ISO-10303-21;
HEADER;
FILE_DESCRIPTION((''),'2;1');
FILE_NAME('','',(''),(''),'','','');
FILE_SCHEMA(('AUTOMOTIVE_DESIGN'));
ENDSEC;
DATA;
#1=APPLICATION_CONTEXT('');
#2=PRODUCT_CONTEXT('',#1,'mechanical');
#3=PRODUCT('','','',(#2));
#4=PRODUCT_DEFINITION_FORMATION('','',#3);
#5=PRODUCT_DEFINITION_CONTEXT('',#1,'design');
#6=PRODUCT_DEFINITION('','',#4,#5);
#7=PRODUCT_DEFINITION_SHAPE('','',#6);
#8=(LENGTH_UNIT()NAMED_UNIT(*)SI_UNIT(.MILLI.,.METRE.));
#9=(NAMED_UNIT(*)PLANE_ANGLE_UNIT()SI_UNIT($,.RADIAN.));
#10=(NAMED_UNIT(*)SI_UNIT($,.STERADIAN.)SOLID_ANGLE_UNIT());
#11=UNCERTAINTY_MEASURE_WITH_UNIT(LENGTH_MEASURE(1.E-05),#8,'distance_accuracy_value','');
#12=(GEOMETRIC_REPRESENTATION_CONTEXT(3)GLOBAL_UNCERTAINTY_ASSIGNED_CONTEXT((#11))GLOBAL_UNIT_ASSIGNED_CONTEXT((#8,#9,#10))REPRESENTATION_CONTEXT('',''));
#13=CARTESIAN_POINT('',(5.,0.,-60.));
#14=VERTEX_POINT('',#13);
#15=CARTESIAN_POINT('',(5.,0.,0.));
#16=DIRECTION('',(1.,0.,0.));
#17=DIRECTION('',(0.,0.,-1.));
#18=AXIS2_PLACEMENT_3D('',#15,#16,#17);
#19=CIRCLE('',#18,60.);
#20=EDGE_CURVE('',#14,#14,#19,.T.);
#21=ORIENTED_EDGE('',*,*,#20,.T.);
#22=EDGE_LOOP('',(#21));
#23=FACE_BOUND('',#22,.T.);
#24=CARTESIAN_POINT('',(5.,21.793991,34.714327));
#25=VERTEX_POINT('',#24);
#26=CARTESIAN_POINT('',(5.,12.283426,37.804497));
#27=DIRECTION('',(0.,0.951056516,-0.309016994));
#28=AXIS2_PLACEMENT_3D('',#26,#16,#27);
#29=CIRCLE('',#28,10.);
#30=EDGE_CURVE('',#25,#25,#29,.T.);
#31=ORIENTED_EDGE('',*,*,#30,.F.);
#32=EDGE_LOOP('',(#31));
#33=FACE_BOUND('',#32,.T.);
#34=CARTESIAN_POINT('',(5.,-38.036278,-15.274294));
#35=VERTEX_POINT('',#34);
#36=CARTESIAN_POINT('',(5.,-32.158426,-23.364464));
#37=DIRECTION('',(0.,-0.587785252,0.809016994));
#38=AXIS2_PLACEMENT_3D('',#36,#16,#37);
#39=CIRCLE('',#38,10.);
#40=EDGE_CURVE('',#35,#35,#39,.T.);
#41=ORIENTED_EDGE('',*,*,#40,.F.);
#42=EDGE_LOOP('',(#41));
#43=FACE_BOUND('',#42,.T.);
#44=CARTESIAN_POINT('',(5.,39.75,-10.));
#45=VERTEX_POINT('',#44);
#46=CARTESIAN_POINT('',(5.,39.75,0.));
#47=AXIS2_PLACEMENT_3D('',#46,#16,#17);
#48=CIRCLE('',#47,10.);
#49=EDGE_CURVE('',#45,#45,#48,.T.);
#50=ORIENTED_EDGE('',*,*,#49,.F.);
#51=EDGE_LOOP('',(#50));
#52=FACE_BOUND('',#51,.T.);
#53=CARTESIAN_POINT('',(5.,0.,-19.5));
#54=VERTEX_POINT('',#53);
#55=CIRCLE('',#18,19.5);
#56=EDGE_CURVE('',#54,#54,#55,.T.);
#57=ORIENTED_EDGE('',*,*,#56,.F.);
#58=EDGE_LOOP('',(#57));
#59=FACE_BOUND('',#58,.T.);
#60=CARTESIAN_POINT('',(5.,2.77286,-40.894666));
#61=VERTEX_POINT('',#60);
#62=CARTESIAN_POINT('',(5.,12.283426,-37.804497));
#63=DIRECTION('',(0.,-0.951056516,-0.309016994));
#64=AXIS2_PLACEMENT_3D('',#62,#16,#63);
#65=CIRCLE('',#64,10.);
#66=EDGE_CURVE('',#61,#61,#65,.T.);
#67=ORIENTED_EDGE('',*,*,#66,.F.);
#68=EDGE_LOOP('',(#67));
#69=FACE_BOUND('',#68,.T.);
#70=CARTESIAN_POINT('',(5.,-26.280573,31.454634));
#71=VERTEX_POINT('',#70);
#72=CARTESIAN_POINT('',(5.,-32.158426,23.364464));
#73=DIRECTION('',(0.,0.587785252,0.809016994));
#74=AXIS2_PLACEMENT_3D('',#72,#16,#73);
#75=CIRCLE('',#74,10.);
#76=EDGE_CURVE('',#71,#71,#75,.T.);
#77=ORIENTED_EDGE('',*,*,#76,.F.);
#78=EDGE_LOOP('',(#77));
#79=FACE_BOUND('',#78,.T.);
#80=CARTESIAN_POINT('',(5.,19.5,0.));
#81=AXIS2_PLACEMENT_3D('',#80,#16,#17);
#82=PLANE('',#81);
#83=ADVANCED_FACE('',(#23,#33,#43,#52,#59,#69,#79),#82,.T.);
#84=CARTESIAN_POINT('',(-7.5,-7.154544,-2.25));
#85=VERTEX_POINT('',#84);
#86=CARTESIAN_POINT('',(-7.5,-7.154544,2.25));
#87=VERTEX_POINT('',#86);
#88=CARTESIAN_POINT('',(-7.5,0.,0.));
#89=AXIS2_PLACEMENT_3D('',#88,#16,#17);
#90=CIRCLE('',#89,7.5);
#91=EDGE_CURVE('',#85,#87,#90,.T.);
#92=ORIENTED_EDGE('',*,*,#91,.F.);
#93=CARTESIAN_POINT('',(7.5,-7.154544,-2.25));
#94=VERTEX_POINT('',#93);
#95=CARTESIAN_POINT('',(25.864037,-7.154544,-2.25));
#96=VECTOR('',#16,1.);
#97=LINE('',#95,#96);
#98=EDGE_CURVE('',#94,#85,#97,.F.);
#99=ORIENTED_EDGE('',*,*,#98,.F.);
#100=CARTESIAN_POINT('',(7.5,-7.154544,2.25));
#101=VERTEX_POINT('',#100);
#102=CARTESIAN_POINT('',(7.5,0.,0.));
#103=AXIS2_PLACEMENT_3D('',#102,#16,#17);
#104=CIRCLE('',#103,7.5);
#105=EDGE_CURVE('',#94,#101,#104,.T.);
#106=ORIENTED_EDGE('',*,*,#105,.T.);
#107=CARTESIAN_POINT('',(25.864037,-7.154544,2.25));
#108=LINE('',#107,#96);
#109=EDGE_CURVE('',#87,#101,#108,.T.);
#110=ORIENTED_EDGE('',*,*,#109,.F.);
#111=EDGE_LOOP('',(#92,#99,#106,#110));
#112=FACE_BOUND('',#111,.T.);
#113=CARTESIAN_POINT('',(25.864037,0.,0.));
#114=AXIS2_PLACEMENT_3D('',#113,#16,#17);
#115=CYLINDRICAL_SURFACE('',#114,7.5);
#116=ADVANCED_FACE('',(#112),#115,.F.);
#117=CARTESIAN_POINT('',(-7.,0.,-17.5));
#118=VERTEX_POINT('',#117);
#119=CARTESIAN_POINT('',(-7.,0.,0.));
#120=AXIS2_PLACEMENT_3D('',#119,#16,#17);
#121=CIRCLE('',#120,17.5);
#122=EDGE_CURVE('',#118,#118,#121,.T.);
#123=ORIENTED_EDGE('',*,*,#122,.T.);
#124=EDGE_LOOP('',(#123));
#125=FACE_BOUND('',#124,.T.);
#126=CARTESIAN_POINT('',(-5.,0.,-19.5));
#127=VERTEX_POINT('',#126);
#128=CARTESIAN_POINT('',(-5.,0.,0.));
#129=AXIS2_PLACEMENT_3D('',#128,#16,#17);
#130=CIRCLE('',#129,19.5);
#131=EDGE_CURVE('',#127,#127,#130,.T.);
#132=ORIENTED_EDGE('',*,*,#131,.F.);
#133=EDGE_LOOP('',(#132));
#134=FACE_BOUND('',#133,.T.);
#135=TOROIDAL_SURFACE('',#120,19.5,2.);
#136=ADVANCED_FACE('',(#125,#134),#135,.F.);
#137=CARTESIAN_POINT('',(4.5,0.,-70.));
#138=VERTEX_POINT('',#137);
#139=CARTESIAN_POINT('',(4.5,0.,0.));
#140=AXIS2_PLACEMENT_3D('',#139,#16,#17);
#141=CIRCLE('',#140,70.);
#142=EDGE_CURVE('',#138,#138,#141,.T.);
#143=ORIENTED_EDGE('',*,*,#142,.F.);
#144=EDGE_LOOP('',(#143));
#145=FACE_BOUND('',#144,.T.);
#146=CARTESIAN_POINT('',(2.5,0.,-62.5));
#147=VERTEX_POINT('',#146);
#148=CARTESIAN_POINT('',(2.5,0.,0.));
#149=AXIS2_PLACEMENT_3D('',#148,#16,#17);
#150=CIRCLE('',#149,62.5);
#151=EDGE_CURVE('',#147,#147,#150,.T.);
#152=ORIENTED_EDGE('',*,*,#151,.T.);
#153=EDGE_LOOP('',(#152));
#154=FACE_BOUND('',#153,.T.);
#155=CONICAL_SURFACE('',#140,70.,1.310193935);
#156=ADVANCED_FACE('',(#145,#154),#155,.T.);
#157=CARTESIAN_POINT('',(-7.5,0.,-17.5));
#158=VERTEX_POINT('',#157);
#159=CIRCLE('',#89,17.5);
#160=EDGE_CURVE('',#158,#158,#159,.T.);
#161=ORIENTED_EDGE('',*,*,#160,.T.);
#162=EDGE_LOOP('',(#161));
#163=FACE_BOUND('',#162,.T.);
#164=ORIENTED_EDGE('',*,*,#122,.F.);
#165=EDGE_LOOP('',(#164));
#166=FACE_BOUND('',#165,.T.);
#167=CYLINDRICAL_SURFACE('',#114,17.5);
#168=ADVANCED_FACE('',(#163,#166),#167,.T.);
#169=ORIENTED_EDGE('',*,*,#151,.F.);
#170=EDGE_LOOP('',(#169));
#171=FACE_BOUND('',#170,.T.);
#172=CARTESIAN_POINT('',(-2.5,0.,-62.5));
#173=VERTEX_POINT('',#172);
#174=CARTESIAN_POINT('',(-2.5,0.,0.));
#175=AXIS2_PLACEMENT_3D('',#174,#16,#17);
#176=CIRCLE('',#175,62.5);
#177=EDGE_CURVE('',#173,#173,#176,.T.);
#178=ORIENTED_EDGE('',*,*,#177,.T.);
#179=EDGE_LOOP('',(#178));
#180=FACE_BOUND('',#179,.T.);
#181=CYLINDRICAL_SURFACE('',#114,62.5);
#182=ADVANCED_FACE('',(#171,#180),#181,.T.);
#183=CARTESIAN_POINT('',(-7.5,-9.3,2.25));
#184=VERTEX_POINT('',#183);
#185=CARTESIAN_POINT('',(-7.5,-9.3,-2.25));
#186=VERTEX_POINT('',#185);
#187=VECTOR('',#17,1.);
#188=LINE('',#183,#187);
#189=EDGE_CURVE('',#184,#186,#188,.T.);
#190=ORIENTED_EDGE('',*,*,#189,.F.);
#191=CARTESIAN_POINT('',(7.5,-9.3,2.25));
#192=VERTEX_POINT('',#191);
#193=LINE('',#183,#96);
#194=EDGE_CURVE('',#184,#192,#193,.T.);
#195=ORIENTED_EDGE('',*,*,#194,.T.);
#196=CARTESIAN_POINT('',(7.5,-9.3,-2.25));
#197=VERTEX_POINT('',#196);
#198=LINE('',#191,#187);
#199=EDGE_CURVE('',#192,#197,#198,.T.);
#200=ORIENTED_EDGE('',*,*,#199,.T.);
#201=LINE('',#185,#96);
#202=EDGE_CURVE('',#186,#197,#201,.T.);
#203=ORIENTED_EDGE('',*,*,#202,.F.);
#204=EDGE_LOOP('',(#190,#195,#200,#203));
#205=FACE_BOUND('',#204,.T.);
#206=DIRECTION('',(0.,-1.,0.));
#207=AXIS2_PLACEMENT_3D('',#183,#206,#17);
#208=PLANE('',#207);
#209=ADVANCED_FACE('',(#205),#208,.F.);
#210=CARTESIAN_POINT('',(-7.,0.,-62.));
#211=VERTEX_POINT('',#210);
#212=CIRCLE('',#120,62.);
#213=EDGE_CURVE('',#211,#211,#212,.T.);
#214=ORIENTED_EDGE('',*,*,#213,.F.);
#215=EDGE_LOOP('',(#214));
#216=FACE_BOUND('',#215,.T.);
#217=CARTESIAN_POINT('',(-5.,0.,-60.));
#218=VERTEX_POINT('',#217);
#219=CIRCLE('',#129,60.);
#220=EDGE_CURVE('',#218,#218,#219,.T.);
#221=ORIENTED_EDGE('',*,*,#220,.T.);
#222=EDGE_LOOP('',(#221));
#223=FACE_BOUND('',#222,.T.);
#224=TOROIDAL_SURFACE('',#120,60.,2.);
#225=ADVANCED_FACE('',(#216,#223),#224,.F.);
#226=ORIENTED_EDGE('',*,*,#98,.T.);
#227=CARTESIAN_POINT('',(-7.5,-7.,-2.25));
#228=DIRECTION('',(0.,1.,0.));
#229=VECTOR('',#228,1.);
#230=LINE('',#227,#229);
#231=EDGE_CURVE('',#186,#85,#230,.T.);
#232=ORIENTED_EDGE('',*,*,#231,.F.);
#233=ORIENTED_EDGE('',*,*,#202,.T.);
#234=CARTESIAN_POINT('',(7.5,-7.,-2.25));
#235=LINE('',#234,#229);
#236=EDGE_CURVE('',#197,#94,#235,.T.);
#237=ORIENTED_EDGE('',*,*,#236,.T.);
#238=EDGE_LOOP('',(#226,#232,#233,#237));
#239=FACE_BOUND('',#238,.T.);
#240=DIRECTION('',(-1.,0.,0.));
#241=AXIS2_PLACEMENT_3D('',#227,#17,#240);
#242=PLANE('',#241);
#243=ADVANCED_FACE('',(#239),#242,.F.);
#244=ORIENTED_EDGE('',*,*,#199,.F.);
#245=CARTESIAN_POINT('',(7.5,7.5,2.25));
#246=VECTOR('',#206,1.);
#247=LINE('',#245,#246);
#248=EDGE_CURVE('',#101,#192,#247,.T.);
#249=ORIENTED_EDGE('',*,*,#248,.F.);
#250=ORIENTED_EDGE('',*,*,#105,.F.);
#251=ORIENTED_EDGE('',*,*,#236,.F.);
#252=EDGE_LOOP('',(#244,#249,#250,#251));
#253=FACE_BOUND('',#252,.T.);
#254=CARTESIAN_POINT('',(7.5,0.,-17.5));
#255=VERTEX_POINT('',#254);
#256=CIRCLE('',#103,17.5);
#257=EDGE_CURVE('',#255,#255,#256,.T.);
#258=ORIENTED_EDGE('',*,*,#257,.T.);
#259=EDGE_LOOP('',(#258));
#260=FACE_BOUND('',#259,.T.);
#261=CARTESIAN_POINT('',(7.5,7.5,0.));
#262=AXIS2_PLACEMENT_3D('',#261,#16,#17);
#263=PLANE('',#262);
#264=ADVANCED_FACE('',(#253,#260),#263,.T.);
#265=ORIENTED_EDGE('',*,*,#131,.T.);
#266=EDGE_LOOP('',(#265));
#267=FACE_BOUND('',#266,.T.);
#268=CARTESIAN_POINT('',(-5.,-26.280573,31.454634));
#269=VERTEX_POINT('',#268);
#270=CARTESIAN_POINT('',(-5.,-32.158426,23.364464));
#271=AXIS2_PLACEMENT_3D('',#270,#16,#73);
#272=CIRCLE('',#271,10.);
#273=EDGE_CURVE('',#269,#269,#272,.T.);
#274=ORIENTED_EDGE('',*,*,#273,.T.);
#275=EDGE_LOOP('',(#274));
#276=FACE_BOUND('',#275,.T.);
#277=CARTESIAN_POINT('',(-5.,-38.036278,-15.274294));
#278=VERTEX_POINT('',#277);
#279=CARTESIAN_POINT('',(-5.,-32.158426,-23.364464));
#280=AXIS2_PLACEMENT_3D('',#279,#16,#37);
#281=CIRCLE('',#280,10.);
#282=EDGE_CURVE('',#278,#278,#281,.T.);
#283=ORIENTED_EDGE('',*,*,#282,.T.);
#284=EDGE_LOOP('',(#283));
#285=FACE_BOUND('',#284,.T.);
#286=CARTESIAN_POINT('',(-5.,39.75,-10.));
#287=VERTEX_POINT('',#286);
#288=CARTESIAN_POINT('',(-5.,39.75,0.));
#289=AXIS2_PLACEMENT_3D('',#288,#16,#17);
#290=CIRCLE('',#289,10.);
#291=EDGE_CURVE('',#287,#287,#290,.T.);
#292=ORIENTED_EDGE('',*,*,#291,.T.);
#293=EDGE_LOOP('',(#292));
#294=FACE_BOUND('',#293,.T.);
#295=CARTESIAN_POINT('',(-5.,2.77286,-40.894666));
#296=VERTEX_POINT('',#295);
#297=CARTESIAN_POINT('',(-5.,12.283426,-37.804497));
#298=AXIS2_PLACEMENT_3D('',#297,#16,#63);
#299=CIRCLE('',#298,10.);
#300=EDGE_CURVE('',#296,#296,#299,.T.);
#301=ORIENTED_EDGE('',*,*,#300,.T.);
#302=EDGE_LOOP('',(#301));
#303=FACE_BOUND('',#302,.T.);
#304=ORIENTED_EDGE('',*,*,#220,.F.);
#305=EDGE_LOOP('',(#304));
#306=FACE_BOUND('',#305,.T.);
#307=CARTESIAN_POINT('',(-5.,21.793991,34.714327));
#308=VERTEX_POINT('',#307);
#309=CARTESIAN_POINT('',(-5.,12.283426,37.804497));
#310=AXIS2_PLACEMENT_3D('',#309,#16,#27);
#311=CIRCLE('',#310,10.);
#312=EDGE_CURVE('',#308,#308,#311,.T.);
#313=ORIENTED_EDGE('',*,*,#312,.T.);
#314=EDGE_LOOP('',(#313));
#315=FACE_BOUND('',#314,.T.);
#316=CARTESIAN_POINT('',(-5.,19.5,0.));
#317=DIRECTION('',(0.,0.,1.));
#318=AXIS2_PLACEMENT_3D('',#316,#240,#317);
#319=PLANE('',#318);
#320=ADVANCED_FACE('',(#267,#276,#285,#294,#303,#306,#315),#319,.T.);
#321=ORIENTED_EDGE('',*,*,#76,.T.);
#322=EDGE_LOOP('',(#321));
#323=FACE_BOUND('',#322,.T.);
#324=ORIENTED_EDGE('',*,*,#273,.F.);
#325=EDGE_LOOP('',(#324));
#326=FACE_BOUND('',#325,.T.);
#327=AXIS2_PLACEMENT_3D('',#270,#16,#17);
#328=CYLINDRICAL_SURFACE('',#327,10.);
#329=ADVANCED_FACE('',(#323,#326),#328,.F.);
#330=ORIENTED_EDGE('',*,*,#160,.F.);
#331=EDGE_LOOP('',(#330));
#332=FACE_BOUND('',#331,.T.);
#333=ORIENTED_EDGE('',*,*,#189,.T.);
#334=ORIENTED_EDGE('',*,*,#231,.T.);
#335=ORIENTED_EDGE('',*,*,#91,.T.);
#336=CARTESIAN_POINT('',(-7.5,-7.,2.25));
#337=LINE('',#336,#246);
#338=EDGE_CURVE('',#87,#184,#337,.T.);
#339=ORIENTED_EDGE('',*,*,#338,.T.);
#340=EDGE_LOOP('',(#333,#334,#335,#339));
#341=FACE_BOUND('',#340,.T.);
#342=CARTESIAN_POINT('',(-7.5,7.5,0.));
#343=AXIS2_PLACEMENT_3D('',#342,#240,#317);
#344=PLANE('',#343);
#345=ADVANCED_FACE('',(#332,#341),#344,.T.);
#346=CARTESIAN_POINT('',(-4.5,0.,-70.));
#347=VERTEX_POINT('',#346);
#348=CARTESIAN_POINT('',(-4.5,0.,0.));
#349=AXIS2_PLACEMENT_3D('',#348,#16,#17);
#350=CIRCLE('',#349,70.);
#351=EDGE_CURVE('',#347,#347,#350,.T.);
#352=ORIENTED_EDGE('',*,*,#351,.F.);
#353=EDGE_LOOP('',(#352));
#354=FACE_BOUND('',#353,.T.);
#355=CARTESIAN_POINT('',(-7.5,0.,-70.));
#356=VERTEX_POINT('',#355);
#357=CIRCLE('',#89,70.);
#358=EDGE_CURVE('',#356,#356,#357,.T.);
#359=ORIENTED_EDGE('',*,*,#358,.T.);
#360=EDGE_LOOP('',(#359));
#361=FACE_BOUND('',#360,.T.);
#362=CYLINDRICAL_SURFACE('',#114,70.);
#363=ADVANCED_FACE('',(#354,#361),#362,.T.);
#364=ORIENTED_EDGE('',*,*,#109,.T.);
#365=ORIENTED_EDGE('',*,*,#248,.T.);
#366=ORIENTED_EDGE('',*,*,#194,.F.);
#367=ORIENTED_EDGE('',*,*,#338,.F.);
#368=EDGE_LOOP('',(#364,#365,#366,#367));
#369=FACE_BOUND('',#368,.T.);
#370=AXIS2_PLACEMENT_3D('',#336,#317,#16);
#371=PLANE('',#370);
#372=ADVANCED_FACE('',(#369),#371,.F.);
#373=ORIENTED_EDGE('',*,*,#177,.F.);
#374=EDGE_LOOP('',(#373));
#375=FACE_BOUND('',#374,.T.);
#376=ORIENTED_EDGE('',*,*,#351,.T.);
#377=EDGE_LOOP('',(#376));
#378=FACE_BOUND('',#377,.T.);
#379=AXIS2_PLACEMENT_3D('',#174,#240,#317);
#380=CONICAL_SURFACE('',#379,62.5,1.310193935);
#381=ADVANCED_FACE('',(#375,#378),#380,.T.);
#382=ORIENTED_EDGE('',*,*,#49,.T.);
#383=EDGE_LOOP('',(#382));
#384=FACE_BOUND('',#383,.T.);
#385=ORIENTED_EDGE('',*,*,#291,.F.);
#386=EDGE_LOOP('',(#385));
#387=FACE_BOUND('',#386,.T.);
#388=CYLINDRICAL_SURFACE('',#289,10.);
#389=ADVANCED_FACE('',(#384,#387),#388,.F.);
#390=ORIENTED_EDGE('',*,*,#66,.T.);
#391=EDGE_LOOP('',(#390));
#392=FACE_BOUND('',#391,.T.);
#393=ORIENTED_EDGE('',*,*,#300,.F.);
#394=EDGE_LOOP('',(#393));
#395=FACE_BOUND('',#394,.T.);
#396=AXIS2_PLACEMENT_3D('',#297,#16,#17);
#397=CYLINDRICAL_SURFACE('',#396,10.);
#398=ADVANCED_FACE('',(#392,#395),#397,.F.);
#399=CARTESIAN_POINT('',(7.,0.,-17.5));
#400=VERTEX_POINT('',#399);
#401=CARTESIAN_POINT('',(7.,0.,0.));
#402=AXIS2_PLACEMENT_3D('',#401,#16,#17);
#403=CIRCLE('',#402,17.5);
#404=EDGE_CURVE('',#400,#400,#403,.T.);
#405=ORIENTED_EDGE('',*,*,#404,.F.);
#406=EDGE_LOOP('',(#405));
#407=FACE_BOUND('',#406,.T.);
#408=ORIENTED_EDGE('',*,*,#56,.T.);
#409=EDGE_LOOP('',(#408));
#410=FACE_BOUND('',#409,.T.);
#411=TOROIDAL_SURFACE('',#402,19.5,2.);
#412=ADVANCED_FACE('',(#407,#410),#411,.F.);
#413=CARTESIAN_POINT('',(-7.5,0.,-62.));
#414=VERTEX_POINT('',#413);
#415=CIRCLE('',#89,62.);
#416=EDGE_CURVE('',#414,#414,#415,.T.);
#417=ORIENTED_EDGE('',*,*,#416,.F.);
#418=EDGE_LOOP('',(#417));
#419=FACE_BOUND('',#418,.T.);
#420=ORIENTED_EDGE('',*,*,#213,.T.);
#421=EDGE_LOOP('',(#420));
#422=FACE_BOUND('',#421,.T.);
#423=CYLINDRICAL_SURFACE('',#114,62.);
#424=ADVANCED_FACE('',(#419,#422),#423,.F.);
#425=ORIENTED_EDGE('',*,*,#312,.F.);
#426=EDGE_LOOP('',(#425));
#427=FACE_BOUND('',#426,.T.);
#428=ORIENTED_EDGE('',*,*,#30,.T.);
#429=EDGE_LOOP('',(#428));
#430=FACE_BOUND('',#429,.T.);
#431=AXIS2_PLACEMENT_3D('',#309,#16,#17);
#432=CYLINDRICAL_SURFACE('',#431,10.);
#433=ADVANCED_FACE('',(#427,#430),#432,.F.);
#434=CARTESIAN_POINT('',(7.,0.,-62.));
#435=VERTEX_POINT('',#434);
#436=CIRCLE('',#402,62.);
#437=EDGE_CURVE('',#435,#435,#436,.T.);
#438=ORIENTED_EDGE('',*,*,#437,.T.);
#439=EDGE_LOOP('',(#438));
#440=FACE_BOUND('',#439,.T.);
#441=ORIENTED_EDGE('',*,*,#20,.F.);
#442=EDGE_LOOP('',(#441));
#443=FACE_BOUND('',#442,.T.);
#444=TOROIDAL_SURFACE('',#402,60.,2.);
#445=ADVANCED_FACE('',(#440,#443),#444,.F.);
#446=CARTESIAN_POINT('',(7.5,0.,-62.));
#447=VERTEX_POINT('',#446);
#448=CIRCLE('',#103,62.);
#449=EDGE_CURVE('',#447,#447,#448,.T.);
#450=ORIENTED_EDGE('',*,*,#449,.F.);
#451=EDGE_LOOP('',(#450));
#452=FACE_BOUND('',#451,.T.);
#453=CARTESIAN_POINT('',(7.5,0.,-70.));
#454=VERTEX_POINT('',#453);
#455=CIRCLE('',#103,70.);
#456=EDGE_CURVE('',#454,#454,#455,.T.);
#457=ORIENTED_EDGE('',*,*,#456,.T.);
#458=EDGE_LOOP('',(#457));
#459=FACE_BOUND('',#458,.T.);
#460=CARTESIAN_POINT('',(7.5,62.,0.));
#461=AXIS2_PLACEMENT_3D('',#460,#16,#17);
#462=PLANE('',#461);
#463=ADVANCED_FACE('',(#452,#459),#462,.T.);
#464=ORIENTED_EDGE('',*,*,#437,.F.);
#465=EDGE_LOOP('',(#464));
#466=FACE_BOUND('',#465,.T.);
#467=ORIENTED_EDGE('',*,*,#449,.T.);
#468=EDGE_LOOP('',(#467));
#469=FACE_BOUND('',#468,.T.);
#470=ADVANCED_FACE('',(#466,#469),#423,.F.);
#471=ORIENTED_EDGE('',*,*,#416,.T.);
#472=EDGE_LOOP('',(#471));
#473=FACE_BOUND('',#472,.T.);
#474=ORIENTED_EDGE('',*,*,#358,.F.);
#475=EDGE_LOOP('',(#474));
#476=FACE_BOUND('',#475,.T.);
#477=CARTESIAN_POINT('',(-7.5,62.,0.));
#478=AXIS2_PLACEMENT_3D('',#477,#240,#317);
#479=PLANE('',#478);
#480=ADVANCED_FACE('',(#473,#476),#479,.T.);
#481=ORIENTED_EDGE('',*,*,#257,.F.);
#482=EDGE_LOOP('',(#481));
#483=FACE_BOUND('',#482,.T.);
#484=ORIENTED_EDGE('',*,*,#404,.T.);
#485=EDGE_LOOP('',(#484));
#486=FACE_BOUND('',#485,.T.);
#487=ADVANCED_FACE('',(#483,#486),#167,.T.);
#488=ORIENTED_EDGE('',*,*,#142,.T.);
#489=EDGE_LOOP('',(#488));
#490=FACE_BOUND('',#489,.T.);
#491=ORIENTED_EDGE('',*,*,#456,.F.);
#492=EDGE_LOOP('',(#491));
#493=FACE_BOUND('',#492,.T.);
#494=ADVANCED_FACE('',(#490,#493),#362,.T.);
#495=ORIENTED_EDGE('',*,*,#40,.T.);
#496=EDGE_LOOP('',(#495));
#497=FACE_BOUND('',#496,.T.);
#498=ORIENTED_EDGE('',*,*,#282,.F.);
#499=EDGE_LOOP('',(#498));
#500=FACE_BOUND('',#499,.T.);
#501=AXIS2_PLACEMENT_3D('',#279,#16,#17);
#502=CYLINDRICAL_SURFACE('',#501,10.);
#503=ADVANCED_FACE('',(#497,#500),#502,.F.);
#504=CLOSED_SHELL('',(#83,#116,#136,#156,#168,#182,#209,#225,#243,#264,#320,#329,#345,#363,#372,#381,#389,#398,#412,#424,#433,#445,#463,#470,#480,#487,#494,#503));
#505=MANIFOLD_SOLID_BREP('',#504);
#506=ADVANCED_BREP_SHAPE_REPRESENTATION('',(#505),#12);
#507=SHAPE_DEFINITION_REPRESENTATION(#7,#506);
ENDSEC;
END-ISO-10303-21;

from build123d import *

# Parameters (mm, degrees)
SKETCH2_R         = 10
EXTRUDE1_DEPTH    = 10
CIRPATTERN1_COUNT = 5
SKETCH3_W         = 4.5
SKETCH3_H         = 2.3
EXTRUDE2_DEPTH    = 16


with BuildPart() as part:
    # Sketch1 → Revolve1 (revolve)
    with BuildSketch(Plane.XY):
        with BuildLine():
            Line((-7.5, 7.5), (7.5, 7.5))
            Line((7.5, 7.5), (7.5, 17.5))
            Line((7.5, 17.5), (7, 17.5))
            ThreePointArc((7, 17.5), (5.585786438, 18.085786438), (5, 19.5))
            Line((5, 19.5), (5, 60))
            ThreePointArc((5, 60), (5.585786438, 61.414213562), (7, 62))
            Line((7, 62), (7.5, 62))
            Line((7.5, 62), (7.5, 70))
            Line((7.5, 70), (4.5, 70))
            Line((4.5, 70), (2.5, 62.5))
            Line((2.5, 62.5), (-2.5, 62.5))
            Line((-2.5, 62.5), (-4.5, 70))
            Line((-4.5, 70), (-7.5, 70))
            Line((-7.5, 70), (-7.5, 62))
            Line((-7.5, 62), (-7, 62))
            ThreePointArc((-7, 62), (-5.585786438, 61.414213562), (-5, 60))
            Line((-5, 60), (-5, 19.5))
            ThreePointArc((-5, 19.5), (-5.585786438, 18.085786438), (-7, 17.5))
            Line((-7, 17.5), (-7.5, 17.5))
            Line((-7.5, 17.5), (-7.5, 7.5))
        make_face()
    revolve(axis=Axis((25.864037296, 0, 0), (-1, 0, 0)))

    # Sketch2 → Extrude1 (cut)
    with BuildSketch(Plane(origin=(5, 0, 0), x_dir=(0, 0, -1), z_dir=(1, 0, 0))):
        with Locations((0, 39.75)):
            Circle(SKETCH2_R)
    extrude1 = extrude(amount=-EXTRUDE1_DEPTH, mode=Mode.SUBTRACT)

    # CirPattern1: Extrude1 ×5 about axis
    cirpattern1_axis = Axis((0, 0, 0), (1, 0, 0))
    for i in range(1, CIRPATTERN1_COUNT):
        add(extrude1.rotate(cirpattern1_axis, i * 360 / CIRPATTERN1_COUNT), mode=Mode.SUBTRACT)

    # Sketch3 → Extrude2 (cut, through all)
    with BuildSketch(Plane(origin=(7.5, 0, 0), x_dir=(0, 0, -1), z_dir=(1, 0, 0))):
        with Locations((0, -8.15)):
            Rectangle(SKETCH3_W, SKETCH3_H)
    extrude(amount=-EXTRUDE2_DEPTH, mode=Mode.SUBTRACT)


solid = part.part
